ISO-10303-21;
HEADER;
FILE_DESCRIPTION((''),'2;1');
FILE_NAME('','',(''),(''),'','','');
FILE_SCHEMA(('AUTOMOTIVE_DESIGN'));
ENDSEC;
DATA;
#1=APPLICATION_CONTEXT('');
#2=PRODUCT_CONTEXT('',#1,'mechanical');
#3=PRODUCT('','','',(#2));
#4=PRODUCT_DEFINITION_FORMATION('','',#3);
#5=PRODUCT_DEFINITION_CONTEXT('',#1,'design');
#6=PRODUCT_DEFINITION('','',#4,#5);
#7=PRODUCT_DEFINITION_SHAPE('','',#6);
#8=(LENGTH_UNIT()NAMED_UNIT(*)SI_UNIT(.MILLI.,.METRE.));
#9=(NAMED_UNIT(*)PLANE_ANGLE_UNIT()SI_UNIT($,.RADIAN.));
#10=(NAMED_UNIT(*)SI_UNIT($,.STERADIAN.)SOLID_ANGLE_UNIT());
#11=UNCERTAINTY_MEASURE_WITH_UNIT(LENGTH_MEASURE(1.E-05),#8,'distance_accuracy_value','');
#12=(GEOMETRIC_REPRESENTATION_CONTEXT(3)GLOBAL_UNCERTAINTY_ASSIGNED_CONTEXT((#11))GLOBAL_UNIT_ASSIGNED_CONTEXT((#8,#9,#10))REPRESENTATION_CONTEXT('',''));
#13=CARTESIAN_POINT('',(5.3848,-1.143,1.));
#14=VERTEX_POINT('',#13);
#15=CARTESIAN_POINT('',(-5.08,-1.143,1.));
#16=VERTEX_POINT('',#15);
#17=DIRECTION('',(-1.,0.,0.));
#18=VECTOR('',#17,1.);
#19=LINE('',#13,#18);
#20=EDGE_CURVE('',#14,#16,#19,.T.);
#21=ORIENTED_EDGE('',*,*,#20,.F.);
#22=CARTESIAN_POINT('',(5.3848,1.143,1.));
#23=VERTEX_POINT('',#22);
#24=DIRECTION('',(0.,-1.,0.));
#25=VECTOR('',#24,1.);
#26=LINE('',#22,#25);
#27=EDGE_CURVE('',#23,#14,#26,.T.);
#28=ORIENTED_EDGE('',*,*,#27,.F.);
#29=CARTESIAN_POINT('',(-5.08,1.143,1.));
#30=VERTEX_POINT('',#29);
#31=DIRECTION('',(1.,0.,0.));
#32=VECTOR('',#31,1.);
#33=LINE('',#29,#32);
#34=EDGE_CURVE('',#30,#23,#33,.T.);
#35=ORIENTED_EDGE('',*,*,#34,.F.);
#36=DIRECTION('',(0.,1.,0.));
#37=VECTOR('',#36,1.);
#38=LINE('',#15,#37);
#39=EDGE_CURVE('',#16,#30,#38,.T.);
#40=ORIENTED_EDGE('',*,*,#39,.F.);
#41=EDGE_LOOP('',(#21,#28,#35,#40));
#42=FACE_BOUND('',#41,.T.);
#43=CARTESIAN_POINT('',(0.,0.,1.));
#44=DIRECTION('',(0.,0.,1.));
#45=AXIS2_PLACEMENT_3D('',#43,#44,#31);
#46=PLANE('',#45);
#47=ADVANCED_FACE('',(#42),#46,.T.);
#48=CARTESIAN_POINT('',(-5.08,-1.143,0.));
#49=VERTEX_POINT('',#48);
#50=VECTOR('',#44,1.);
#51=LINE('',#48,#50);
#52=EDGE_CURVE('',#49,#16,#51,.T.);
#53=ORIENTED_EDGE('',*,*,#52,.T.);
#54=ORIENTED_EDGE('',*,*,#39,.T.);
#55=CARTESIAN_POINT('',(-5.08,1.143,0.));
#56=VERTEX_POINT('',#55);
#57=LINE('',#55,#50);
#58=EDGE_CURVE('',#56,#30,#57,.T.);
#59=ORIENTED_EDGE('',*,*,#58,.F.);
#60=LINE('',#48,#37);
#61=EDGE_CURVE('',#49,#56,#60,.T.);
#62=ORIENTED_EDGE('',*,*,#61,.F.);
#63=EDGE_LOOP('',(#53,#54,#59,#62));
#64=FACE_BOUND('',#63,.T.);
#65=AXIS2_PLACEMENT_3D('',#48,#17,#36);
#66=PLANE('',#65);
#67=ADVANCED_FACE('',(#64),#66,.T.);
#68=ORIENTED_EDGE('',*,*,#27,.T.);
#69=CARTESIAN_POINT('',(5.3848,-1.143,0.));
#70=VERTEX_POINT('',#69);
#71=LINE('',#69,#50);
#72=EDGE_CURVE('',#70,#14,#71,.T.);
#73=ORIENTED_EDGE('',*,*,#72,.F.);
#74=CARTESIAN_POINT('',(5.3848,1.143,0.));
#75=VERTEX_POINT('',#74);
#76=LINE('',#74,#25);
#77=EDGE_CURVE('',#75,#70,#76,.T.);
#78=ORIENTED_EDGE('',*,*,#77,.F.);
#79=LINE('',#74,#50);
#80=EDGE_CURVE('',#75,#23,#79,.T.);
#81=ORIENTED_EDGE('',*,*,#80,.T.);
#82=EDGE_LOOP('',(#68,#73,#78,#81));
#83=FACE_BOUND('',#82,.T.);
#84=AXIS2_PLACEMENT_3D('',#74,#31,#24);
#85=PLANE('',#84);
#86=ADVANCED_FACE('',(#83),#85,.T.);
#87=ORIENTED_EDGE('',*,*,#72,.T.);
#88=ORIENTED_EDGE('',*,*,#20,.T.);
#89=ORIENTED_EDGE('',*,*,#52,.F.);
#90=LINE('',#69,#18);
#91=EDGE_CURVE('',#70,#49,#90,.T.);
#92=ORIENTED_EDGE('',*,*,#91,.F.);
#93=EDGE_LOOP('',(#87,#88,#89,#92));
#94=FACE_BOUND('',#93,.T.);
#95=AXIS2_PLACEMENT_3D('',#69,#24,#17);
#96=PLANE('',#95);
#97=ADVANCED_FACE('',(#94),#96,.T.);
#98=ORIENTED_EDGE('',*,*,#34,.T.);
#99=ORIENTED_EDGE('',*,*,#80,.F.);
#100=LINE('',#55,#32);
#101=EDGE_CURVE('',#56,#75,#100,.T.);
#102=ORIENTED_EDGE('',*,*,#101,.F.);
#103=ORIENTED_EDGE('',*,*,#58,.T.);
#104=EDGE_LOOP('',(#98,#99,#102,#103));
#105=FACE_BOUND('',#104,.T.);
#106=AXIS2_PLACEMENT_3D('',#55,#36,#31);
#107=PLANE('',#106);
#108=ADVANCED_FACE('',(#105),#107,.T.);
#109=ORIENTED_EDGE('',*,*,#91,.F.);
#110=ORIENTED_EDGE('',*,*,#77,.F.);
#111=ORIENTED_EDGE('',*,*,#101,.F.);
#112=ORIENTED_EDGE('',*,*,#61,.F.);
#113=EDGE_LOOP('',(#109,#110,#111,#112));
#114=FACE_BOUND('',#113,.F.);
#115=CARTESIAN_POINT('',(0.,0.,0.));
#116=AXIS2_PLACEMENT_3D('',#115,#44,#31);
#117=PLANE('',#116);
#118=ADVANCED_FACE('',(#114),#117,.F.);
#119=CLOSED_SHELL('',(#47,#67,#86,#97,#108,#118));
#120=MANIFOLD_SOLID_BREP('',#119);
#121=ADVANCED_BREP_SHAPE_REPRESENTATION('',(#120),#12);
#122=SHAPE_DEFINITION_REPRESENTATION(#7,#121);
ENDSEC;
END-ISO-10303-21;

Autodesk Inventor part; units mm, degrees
ref_plane "YZ Plane" through (0, 0, 0) normal (1, 0, 0) x (0, 1, 0)
ref_plane "XZ Plane" through (0, 0, 0) normal (0, 1, 0) x (-1, 0, 0)
ref_plane "XY Plane" through (0, 0, 0) normal (0, 0, 1) x (1, 0, 0)
sketch "0207_10, 0207_10_61" plane through (0, 0, 0) normal (0, 0, 1) x (1, 0, 0)
  line L0 (-5.08, 1.143) -> (5.3848, 1.143)
  line L1 (5.3848, 1.143) -> (5.3848, -1.143)
  line L2 (5.3848, -1.143) -> (-5.08, -1.143)
  line L3 (-5.08, -1.143) -> (-5.08, 1.143)
extrude "Extrusion1" add sketch "0207_10, 0207_10_61" along normal blind 1
properties part number "0207_10"
